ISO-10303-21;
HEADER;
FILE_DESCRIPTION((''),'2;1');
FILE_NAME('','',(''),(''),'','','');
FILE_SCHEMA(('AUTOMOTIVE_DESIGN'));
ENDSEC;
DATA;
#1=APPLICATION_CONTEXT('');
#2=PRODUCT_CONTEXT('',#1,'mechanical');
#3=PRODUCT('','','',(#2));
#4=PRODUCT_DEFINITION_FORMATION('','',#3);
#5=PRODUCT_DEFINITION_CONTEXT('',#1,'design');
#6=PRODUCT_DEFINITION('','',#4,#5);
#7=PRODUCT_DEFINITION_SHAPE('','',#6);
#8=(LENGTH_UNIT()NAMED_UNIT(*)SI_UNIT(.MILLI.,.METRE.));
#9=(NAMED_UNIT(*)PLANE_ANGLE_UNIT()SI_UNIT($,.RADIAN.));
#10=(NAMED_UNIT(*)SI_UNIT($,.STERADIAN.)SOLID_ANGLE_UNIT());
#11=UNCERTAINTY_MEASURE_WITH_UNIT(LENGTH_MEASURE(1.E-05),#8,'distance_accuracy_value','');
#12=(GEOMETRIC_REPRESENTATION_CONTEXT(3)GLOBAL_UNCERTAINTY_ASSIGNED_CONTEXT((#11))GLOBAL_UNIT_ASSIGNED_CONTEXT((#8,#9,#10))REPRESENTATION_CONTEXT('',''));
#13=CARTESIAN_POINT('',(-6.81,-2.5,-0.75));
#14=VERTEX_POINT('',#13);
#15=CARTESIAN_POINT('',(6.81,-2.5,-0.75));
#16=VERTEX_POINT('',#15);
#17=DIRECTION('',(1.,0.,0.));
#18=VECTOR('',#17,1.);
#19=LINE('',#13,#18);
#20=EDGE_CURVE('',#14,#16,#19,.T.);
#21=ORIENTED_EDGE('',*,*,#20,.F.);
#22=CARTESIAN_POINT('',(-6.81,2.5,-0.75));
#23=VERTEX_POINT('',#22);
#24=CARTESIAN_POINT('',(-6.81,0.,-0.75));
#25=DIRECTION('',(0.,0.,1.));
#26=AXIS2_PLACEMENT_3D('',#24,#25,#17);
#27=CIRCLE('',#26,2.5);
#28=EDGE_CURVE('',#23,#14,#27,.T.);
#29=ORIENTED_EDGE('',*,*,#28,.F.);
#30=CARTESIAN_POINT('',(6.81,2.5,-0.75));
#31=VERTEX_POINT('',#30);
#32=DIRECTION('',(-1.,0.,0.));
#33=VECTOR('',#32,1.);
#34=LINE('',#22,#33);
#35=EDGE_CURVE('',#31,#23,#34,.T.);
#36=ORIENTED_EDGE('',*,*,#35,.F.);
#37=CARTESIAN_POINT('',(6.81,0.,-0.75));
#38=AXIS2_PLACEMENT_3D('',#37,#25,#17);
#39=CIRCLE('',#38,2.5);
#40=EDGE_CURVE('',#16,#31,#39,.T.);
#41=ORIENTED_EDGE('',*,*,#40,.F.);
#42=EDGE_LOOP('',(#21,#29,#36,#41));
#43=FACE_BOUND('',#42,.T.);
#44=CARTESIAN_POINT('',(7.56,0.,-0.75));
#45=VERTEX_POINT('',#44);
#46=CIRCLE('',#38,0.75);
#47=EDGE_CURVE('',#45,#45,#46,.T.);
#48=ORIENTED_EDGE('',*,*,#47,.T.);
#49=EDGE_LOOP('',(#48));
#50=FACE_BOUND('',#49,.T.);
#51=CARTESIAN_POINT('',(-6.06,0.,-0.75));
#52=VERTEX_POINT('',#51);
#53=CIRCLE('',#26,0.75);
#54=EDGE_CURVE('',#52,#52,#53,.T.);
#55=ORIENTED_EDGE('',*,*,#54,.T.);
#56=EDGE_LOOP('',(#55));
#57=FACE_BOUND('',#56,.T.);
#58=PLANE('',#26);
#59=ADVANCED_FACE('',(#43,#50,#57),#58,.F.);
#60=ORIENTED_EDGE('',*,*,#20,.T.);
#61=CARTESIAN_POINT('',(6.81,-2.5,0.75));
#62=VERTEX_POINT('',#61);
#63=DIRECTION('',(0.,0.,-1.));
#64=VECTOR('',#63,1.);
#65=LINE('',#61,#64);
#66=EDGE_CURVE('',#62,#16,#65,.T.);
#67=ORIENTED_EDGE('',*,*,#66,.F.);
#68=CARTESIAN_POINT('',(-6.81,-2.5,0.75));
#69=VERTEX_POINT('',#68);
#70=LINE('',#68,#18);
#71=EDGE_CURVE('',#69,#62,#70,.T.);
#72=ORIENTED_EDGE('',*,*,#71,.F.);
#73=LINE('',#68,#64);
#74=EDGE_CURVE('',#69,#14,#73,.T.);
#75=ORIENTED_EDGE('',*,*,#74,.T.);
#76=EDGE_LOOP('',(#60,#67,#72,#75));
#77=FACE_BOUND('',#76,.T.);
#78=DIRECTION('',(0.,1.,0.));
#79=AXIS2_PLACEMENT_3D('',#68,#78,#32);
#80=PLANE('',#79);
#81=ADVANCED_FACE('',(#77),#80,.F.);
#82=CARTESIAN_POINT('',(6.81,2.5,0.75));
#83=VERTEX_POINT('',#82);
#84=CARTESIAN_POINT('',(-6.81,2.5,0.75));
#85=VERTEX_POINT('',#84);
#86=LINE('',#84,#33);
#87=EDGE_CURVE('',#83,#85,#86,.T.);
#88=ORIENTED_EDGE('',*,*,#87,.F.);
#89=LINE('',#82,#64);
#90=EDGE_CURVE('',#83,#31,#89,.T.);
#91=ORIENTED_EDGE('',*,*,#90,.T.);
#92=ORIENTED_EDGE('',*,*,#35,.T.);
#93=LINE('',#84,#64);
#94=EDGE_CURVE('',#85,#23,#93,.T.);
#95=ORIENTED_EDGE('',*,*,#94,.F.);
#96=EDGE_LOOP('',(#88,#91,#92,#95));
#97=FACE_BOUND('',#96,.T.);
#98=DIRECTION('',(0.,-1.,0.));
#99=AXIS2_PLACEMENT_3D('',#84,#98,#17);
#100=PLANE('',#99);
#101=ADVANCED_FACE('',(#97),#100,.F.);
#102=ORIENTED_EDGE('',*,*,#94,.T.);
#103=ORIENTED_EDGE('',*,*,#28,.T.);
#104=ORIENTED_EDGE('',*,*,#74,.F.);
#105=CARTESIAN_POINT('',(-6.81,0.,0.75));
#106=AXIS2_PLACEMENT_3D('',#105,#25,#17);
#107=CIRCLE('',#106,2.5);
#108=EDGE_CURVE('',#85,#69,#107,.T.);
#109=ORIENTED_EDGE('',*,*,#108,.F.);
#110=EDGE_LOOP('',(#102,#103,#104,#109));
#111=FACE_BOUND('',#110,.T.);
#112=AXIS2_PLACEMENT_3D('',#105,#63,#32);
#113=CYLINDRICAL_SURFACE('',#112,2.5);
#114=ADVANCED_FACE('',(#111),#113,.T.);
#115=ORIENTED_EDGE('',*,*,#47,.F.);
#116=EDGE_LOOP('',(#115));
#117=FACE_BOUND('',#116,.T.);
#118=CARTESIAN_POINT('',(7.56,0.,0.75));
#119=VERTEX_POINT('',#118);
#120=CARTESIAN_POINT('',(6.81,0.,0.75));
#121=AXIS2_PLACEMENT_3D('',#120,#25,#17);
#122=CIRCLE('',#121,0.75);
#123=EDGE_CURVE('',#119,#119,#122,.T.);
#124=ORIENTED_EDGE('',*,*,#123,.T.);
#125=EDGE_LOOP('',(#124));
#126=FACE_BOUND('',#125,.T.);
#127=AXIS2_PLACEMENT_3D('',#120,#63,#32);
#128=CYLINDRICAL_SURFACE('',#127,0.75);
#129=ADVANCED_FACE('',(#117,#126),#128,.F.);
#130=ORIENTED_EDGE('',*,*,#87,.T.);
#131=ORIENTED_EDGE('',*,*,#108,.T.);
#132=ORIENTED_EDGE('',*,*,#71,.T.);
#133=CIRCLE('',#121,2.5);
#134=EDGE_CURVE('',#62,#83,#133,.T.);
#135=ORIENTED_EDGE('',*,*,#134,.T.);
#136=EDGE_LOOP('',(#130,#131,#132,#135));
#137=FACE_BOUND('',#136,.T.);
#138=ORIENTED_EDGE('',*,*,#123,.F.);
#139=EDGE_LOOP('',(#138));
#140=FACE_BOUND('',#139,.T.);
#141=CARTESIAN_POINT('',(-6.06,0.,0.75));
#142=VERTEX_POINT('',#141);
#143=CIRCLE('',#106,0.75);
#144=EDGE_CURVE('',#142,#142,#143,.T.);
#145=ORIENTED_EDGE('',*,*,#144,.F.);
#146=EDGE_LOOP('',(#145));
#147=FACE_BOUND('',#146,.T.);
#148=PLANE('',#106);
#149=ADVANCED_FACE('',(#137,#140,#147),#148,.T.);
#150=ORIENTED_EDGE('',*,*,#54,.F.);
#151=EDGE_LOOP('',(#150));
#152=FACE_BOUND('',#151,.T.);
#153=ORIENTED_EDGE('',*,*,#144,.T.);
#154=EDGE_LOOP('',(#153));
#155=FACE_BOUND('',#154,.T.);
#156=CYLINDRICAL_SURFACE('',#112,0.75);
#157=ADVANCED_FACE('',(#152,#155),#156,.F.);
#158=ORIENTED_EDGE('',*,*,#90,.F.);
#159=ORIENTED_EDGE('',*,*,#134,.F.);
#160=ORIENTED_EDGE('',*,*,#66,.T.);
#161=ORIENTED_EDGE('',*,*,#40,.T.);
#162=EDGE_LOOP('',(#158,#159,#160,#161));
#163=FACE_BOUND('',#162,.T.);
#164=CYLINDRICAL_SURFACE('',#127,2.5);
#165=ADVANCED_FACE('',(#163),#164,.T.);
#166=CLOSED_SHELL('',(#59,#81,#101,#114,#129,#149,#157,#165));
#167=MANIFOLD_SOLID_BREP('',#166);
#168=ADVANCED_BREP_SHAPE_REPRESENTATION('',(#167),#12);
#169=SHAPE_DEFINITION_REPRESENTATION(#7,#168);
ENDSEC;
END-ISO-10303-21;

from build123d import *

# Parameters (mm, degrees)
SKETCH_1_R      = 0.75
EXTRUDE_1_DEPTH = 0.75


with BuildPart() as part:
    # 草圖1 → 填料-伸長1 (new body, symmetric)
    with BuildSketch(Plane.XY):
        with BuildLine():
            Line((-6.81, 2.5), (6.81, 2.5))
            ThreePointArc((6.81, 2.5), (9.31, 0), (6.81, -2.5))
            Line((6.81, -2.5), (-6.81, -2.5))
            ThreePointArc((-6.81, -2.5), (-9.31, 0), (-6.81, 2.5))
        make_face()
        with Locations((-6.81, 0)):
            Circle(SKETCH_1_R, mode=Mode.SUBTRACT)
        with Locations((6.81, 0)):
            Circle(SKETCH_1_R, mode=Mode.SUBTRACT)
    extrude(amount=EXTRUDE_1_DEPTH, both=True)


solid = part.part
